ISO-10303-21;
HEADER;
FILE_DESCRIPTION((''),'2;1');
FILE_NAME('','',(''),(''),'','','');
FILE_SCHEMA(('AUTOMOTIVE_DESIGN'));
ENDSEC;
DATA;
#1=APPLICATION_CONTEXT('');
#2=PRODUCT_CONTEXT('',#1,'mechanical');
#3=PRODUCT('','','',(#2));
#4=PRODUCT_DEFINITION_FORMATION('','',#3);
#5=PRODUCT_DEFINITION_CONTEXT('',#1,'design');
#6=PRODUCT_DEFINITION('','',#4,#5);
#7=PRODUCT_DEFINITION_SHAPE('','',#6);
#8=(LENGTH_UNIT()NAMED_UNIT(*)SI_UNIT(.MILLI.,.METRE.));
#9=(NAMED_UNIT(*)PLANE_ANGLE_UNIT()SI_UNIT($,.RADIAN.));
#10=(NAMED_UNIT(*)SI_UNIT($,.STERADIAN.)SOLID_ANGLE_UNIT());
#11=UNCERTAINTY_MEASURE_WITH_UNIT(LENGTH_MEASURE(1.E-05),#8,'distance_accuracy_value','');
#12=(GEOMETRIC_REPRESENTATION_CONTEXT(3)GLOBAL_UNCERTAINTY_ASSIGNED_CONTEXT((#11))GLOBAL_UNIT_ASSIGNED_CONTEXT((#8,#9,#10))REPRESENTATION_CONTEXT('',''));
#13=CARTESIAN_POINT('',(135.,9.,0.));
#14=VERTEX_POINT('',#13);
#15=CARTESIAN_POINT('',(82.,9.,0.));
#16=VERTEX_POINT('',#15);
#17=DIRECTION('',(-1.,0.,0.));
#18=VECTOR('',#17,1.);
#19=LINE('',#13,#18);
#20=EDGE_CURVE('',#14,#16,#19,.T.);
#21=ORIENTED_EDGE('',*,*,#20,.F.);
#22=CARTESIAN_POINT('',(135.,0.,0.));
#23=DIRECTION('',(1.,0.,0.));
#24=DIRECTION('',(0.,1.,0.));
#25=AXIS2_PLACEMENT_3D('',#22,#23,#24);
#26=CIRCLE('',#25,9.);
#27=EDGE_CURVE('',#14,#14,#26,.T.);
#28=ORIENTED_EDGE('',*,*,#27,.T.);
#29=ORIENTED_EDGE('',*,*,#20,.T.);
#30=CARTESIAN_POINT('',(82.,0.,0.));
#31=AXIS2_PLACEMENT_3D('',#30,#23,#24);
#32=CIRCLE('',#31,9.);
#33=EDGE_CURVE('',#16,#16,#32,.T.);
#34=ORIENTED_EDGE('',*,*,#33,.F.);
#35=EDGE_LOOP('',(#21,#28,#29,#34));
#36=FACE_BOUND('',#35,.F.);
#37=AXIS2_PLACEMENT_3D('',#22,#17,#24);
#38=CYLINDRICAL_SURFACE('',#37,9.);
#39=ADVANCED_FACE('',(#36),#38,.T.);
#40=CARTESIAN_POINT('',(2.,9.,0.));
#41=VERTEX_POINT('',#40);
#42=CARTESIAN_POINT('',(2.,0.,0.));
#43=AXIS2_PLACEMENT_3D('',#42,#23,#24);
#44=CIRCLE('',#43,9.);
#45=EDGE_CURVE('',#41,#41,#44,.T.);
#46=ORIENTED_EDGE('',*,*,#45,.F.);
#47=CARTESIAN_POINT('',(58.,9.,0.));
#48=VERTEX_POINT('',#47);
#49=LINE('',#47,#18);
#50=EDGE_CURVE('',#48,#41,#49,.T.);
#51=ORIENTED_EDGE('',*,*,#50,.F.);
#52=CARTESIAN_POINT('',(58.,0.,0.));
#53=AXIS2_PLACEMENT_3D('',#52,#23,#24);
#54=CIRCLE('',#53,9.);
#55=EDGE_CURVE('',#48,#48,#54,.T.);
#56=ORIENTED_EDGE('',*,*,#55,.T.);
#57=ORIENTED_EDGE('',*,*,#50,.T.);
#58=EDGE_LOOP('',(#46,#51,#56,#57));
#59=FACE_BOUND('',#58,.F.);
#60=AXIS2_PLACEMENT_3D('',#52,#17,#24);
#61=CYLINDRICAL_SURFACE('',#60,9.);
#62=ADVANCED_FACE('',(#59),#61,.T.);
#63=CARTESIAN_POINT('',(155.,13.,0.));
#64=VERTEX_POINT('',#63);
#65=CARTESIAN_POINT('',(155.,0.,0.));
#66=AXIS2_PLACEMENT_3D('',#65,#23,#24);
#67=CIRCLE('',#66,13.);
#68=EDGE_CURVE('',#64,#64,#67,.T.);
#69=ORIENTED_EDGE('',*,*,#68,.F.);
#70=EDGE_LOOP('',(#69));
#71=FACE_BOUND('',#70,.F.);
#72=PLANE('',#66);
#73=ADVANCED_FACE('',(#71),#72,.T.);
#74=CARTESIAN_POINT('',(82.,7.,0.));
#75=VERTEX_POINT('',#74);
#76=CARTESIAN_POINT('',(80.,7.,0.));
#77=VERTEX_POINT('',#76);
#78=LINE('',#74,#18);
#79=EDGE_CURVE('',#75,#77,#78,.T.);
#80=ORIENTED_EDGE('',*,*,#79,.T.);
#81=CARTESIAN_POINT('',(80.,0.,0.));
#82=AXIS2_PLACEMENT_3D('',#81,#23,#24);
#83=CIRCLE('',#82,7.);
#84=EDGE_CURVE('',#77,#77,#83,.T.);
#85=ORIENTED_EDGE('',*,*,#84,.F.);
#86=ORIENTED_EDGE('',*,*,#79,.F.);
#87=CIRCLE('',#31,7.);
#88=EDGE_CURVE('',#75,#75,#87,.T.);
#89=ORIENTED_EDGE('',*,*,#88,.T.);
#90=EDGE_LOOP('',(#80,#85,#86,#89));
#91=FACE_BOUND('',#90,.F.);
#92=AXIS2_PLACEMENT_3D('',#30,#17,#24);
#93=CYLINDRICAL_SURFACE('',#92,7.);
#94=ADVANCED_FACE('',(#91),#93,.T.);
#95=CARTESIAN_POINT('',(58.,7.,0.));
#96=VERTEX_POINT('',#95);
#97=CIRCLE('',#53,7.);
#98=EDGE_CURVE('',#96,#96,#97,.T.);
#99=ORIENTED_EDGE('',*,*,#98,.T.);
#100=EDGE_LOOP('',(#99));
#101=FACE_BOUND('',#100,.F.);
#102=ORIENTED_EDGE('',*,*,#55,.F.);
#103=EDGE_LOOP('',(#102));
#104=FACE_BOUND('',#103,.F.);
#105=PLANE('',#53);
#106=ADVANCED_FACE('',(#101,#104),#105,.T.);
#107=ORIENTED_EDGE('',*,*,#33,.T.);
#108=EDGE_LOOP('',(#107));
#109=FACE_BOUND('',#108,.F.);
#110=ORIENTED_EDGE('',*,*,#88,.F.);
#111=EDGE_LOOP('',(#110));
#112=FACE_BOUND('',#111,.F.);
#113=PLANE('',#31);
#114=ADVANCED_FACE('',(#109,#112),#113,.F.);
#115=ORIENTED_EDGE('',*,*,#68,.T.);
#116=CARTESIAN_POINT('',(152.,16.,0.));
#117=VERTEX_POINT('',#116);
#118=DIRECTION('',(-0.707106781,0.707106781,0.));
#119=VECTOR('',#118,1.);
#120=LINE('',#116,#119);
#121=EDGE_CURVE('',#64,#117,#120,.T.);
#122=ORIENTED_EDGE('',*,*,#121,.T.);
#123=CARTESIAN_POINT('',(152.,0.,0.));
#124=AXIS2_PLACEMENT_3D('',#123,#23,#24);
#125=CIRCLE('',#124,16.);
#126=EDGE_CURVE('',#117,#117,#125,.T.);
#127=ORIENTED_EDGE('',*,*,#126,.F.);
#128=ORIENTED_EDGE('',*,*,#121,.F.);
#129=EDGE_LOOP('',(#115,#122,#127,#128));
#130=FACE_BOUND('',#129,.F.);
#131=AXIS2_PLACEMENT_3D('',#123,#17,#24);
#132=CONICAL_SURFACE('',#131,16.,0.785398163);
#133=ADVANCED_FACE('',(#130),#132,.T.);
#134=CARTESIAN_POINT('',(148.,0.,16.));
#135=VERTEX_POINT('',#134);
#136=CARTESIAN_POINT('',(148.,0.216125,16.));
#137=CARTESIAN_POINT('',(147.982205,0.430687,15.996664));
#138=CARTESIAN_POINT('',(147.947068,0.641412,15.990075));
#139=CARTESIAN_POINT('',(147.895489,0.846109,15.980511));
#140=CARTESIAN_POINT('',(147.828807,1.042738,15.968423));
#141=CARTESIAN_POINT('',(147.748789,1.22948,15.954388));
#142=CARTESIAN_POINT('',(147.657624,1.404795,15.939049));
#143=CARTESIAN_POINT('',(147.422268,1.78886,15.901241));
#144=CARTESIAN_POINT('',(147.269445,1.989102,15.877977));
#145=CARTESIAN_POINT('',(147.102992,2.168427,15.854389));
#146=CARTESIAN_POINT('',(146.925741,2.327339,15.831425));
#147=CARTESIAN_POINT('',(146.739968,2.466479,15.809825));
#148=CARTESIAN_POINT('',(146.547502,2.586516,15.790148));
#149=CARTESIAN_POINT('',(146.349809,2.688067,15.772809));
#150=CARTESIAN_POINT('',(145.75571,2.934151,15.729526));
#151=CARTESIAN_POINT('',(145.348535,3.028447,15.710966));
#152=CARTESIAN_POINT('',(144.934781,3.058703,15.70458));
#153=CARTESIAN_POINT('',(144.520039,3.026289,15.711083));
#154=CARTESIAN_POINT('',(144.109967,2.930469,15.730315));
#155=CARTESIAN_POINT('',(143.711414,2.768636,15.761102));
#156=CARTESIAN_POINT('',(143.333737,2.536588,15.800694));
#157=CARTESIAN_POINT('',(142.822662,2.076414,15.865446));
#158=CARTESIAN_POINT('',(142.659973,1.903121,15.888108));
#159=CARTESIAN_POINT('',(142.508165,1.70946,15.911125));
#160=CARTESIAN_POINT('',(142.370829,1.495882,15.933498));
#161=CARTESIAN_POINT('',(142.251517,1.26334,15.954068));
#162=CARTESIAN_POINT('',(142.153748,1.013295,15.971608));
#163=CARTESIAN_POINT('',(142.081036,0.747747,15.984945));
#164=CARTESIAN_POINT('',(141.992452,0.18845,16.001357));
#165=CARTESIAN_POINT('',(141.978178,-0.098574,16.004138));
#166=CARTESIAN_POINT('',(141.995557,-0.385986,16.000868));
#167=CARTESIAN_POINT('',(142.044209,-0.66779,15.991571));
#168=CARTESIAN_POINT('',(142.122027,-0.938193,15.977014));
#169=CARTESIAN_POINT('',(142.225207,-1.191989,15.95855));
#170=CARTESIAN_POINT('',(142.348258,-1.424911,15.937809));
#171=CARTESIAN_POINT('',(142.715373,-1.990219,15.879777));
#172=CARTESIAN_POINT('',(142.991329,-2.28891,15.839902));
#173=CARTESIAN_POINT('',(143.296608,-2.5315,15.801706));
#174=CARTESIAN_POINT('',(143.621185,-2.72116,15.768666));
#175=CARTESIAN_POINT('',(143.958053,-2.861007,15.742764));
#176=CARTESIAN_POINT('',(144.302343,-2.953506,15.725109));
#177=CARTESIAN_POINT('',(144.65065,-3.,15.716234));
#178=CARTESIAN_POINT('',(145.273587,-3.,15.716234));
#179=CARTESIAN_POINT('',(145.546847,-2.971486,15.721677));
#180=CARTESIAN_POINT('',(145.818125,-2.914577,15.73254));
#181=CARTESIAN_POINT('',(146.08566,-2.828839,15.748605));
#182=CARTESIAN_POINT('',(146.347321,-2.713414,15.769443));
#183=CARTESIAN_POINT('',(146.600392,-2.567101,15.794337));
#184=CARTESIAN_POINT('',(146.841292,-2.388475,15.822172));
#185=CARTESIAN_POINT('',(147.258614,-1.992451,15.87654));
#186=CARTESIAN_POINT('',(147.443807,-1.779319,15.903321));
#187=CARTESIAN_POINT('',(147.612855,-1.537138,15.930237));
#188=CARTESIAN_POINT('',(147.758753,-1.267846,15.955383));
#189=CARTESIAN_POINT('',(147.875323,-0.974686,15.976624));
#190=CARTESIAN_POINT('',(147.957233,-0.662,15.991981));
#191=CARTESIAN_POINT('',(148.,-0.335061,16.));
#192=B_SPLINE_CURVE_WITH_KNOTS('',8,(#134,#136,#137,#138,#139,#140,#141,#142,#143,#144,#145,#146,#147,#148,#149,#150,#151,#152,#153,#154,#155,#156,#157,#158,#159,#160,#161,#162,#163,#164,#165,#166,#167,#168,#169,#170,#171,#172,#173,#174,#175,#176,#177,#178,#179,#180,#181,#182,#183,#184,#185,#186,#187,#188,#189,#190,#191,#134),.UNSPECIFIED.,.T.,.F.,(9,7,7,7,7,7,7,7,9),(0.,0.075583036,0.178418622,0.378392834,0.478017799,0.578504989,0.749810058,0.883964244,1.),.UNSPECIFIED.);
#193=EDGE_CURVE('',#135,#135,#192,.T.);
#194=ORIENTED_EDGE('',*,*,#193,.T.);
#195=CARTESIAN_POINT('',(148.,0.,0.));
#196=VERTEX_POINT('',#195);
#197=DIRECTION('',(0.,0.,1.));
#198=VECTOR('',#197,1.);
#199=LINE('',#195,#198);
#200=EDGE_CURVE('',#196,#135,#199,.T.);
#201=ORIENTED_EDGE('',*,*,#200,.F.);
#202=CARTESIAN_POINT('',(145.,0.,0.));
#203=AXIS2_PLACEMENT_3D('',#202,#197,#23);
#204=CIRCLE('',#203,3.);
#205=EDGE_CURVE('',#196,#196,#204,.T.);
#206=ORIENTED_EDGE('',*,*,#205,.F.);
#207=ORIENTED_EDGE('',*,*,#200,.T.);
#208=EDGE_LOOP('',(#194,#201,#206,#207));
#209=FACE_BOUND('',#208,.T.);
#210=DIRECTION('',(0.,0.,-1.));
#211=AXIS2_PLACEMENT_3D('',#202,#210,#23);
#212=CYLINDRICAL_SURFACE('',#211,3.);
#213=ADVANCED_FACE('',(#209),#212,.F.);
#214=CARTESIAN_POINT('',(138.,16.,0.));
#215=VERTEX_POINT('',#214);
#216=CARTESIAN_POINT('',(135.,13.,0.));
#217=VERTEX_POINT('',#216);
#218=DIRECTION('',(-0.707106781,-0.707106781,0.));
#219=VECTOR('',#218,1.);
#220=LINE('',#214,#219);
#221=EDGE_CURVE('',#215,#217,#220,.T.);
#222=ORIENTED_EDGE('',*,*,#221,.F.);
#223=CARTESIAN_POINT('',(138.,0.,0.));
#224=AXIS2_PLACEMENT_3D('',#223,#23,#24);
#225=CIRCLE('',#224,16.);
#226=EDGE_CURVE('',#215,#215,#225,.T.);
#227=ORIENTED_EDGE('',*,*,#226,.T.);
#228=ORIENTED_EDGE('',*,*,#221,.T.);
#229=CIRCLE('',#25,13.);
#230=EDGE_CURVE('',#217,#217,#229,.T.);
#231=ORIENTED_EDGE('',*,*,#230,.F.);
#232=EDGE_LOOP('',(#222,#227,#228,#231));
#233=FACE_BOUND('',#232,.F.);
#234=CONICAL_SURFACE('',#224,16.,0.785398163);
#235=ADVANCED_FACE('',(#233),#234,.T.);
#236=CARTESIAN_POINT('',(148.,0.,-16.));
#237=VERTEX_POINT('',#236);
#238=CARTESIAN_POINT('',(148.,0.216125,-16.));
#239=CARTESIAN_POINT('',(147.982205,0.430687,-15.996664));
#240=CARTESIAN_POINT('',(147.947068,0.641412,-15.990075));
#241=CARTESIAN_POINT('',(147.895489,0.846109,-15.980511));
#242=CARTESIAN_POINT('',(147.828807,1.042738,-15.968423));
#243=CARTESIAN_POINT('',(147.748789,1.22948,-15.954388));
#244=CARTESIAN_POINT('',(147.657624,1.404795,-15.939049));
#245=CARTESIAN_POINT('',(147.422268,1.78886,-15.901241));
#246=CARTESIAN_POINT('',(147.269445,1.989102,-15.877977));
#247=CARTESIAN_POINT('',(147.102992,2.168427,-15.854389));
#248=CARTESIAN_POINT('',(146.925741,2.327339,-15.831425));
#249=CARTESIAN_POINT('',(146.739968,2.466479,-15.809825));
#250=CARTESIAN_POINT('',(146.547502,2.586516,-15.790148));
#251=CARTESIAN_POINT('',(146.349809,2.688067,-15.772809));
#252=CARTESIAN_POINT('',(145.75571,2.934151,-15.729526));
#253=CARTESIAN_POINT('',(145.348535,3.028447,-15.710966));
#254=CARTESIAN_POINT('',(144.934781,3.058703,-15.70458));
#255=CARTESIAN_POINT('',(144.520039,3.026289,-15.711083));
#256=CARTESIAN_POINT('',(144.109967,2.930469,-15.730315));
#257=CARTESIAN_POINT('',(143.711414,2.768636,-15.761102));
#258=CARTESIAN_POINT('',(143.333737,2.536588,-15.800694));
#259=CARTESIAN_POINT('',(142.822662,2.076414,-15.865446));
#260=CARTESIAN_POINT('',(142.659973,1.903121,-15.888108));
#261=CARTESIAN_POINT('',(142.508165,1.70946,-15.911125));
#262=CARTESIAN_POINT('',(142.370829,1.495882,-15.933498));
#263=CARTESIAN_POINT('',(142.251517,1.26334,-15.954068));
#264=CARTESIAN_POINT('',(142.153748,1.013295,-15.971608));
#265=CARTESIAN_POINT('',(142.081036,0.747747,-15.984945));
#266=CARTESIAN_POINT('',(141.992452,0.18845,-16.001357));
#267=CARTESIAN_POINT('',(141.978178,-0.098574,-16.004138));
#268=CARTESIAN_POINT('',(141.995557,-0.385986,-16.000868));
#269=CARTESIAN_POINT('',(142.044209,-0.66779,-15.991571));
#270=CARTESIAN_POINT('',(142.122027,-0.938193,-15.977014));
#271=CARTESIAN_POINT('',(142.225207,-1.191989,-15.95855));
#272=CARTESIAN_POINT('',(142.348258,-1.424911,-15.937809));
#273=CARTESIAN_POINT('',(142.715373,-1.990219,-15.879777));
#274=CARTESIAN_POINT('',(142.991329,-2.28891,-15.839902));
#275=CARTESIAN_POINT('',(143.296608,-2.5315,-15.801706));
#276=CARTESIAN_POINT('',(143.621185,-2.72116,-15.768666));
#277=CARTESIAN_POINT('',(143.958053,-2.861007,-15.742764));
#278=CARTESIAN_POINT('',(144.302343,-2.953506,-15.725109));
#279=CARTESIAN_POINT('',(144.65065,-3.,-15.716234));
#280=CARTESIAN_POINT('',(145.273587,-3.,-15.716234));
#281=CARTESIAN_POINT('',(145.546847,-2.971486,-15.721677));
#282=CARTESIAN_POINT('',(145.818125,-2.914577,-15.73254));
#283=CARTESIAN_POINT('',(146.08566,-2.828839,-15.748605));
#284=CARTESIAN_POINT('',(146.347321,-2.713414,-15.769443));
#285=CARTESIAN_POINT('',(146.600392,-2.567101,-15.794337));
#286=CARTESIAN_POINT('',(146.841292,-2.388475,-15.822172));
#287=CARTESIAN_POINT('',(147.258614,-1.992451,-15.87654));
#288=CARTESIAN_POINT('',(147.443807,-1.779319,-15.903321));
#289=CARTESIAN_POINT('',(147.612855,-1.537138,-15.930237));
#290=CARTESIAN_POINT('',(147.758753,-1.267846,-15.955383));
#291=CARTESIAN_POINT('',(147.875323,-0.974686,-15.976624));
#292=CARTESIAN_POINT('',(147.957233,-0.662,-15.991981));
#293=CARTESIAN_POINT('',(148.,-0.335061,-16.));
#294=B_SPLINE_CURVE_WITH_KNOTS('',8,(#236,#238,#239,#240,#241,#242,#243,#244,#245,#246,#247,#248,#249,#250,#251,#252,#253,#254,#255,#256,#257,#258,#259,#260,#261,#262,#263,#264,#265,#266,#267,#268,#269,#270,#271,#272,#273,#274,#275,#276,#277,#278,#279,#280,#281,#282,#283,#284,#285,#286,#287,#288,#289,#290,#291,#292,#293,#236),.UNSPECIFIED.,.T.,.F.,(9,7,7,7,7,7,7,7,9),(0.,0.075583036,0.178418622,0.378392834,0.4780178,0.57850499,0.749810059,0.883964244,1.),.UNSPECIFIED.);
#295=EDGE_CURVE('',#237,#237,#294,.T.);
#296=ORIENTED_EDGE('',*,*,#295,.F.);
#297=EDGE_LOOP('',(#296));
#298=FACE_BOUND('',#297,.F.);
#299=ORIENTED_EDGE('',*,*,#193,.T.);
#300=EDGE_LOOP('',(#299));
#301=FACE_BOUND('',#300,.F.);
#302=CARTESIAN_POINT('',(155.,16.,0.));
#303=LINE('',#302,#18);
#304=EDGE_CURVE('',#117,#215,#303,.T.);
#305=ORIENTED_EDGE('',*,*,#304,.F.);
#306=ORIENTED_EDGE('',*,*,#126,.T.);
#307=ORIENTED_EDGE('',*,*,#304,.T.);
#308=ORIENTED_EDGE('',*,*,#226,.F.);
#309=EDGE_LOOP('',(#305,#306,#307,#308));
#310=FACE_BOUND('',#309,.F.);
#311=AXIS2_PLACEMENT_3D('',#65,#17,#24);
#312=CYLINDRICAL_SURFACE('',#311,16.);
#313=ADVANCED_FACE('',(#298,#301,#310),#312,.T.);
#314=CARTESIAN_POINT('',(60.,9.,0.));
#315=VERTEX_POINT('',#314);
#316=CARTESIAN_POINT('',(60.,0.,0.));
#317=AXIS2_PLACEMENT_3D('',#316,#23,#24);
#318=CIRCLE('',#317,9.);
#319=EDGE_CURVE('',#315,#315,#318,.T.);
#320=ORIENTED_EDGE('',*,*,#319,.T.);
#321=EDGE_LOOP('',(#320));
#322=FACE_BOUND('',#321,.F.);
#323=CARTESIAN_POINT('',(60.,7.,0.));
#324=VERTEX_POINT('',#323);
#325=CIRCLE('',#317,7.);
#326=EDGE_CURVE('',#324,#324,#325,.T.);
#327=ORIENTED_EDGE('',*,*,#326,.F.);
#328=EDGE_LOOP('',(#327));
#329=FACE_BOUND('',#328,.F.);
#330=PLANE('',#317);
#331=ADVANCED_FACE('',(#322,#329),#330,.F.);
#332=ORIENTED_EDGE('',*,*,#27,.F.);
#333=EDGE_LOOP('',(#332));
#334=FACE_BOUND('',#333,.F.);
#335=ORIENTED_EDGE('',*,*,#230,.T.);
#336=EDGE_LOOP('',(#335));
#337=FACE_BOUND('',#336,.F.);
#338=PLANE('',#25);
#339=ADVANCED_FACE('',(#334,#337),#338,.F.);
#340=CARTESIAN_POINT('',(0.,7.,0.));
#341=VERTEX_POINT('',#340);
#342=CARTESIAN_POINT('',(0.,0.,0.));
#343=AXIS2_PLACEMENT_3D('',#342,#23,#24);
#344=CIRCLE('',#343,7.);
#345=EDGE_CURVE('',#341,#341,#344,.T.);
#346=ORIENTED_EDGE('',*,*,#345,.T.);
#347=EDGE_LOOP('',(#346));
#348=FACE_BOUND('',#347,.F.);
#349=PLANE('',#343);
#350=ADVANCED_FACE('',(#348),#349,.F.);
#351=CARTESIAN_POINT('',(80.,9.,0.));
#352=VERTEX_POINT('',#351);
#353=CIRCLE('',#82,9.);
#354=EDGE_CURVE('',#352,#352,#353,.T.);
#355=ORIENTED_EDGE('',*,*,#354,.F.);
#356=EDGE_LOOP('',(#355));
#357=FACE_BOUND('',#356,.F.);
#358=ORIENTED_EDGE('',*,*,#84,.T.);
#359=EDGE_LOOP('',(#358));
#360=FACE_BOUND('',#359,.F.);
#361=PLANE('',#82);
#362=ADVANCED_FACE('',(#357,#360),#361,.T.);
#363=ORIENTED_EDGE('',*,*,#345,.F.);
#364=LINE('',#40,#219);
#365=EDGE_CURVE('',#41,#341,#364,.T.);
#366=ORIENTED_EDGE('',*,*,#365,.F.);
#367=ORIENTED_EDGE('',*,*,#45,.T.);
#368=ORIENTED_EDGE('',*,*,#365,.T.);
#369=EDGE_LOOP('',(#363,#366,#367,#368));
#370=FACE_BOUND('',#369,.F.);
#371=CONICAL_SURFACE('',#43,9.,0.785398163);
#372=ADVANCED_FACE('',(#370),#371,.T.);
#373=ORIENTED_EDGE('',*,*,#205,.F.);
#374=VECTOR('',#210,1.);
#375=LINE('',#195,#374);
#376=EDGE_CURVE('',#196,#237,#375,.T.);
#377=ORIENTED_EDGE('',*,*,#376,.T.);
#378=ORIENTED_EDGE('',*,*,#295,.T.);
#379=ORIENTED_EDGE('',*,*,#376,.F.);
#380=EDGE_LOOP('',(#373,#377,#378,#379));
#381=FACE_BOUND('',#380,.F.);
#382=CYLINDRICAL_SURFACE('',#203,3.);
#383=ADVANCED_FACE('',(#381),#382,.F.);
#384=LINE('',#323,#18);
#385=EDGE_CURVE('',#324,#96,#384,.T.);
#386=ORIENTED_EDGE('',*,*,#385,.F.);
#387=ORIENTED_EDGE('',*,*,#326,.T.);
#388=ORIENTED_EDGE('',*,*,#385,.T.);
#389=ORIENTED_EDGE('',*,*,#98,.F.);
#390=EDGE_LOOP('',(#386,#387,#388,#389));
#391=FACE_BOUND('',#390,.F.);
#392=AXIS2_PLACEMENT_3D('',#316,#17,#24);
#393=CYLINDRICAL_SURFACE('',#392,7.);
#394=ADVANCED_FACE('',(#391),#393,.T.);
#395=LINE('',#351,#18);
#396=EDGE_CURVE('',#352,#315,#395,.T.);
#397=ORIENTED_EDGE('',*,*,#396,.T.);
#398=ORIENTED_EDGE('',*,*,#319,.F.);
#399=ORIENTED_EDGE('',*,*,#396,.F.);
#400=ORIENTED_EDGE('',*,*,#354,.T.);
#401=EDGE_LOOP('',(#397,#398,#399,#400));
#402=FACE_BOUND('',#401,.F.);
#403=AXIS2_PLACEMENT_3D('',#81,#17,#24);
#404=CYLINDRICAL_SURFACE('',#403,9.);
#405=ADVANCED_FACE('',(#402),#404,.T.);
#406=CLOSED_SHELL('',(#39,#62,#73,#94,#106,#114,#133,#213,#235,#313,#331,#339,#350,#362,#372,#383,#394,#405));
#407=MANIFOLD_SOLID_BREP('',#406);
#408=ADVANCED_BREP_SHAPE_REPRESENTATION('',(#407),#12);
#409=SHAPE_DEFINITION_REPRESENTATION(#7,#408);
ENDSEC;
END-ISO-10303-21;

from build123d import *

# Parameters (mm, degrees)
CHAMFER1_SIZE           = 3
CHAMFER2_SIZE           = 2
SKETCH2_R               = 3
CUT_EXTRUDE1_DEPTH      = 17
CUT_EXTRUDE1_DEPTH_BACK = 17


with BuildPart() as part:
    # Sketch1 → Revolve1 (revolve)
    with BuildSketch(Plane.XY):
        Polygon((155, 0), (155, 16), (135, 16), (135, 9), (82, 9), (82, 7), (80, 7), (80, 9), (60, 9), (60, 7), (58, 7), (58, 9), (0, 9), (0, 0), align=None)
    revolve(axis=Axis((0, 0, 0), (1, 0, 0)))

    # Chamfer1
    chamfer1_edges = [part.edges().sort_by_distance(p)[0] for p in [
        (135, -16, 0),
        (155, -16, 0),
    ]]
    chamfer(chamfer1_edges, length=CHAMFER1_SIZE)

    # Chamfer2
    chamfer2_edges = [part.edges().sort_by_distance(p)[0] for p in [
        (0, -9, 0),
    ]]
    chamfer(chamfer2_edges, length=CHAMFER2_SIZE)

    # Sketch2 → Cut-Extrude1 (cut, two sides)
    with BuildSketch(Plane.XY) as cut_extrude1_sk:
        with Locations((145, 0)):
            Circle(SKETCH2_R)
    extrude(amount=CUT_EXTRUDE1_DEPTH, mode=Mode.SUBTRACT)
    extrude(cut_extrude1_sk.sketch, amount=-CUT_EXTRUDE1_DEPTH_BACK, mode=Mode.SUBTRACT)


solid = part.part
